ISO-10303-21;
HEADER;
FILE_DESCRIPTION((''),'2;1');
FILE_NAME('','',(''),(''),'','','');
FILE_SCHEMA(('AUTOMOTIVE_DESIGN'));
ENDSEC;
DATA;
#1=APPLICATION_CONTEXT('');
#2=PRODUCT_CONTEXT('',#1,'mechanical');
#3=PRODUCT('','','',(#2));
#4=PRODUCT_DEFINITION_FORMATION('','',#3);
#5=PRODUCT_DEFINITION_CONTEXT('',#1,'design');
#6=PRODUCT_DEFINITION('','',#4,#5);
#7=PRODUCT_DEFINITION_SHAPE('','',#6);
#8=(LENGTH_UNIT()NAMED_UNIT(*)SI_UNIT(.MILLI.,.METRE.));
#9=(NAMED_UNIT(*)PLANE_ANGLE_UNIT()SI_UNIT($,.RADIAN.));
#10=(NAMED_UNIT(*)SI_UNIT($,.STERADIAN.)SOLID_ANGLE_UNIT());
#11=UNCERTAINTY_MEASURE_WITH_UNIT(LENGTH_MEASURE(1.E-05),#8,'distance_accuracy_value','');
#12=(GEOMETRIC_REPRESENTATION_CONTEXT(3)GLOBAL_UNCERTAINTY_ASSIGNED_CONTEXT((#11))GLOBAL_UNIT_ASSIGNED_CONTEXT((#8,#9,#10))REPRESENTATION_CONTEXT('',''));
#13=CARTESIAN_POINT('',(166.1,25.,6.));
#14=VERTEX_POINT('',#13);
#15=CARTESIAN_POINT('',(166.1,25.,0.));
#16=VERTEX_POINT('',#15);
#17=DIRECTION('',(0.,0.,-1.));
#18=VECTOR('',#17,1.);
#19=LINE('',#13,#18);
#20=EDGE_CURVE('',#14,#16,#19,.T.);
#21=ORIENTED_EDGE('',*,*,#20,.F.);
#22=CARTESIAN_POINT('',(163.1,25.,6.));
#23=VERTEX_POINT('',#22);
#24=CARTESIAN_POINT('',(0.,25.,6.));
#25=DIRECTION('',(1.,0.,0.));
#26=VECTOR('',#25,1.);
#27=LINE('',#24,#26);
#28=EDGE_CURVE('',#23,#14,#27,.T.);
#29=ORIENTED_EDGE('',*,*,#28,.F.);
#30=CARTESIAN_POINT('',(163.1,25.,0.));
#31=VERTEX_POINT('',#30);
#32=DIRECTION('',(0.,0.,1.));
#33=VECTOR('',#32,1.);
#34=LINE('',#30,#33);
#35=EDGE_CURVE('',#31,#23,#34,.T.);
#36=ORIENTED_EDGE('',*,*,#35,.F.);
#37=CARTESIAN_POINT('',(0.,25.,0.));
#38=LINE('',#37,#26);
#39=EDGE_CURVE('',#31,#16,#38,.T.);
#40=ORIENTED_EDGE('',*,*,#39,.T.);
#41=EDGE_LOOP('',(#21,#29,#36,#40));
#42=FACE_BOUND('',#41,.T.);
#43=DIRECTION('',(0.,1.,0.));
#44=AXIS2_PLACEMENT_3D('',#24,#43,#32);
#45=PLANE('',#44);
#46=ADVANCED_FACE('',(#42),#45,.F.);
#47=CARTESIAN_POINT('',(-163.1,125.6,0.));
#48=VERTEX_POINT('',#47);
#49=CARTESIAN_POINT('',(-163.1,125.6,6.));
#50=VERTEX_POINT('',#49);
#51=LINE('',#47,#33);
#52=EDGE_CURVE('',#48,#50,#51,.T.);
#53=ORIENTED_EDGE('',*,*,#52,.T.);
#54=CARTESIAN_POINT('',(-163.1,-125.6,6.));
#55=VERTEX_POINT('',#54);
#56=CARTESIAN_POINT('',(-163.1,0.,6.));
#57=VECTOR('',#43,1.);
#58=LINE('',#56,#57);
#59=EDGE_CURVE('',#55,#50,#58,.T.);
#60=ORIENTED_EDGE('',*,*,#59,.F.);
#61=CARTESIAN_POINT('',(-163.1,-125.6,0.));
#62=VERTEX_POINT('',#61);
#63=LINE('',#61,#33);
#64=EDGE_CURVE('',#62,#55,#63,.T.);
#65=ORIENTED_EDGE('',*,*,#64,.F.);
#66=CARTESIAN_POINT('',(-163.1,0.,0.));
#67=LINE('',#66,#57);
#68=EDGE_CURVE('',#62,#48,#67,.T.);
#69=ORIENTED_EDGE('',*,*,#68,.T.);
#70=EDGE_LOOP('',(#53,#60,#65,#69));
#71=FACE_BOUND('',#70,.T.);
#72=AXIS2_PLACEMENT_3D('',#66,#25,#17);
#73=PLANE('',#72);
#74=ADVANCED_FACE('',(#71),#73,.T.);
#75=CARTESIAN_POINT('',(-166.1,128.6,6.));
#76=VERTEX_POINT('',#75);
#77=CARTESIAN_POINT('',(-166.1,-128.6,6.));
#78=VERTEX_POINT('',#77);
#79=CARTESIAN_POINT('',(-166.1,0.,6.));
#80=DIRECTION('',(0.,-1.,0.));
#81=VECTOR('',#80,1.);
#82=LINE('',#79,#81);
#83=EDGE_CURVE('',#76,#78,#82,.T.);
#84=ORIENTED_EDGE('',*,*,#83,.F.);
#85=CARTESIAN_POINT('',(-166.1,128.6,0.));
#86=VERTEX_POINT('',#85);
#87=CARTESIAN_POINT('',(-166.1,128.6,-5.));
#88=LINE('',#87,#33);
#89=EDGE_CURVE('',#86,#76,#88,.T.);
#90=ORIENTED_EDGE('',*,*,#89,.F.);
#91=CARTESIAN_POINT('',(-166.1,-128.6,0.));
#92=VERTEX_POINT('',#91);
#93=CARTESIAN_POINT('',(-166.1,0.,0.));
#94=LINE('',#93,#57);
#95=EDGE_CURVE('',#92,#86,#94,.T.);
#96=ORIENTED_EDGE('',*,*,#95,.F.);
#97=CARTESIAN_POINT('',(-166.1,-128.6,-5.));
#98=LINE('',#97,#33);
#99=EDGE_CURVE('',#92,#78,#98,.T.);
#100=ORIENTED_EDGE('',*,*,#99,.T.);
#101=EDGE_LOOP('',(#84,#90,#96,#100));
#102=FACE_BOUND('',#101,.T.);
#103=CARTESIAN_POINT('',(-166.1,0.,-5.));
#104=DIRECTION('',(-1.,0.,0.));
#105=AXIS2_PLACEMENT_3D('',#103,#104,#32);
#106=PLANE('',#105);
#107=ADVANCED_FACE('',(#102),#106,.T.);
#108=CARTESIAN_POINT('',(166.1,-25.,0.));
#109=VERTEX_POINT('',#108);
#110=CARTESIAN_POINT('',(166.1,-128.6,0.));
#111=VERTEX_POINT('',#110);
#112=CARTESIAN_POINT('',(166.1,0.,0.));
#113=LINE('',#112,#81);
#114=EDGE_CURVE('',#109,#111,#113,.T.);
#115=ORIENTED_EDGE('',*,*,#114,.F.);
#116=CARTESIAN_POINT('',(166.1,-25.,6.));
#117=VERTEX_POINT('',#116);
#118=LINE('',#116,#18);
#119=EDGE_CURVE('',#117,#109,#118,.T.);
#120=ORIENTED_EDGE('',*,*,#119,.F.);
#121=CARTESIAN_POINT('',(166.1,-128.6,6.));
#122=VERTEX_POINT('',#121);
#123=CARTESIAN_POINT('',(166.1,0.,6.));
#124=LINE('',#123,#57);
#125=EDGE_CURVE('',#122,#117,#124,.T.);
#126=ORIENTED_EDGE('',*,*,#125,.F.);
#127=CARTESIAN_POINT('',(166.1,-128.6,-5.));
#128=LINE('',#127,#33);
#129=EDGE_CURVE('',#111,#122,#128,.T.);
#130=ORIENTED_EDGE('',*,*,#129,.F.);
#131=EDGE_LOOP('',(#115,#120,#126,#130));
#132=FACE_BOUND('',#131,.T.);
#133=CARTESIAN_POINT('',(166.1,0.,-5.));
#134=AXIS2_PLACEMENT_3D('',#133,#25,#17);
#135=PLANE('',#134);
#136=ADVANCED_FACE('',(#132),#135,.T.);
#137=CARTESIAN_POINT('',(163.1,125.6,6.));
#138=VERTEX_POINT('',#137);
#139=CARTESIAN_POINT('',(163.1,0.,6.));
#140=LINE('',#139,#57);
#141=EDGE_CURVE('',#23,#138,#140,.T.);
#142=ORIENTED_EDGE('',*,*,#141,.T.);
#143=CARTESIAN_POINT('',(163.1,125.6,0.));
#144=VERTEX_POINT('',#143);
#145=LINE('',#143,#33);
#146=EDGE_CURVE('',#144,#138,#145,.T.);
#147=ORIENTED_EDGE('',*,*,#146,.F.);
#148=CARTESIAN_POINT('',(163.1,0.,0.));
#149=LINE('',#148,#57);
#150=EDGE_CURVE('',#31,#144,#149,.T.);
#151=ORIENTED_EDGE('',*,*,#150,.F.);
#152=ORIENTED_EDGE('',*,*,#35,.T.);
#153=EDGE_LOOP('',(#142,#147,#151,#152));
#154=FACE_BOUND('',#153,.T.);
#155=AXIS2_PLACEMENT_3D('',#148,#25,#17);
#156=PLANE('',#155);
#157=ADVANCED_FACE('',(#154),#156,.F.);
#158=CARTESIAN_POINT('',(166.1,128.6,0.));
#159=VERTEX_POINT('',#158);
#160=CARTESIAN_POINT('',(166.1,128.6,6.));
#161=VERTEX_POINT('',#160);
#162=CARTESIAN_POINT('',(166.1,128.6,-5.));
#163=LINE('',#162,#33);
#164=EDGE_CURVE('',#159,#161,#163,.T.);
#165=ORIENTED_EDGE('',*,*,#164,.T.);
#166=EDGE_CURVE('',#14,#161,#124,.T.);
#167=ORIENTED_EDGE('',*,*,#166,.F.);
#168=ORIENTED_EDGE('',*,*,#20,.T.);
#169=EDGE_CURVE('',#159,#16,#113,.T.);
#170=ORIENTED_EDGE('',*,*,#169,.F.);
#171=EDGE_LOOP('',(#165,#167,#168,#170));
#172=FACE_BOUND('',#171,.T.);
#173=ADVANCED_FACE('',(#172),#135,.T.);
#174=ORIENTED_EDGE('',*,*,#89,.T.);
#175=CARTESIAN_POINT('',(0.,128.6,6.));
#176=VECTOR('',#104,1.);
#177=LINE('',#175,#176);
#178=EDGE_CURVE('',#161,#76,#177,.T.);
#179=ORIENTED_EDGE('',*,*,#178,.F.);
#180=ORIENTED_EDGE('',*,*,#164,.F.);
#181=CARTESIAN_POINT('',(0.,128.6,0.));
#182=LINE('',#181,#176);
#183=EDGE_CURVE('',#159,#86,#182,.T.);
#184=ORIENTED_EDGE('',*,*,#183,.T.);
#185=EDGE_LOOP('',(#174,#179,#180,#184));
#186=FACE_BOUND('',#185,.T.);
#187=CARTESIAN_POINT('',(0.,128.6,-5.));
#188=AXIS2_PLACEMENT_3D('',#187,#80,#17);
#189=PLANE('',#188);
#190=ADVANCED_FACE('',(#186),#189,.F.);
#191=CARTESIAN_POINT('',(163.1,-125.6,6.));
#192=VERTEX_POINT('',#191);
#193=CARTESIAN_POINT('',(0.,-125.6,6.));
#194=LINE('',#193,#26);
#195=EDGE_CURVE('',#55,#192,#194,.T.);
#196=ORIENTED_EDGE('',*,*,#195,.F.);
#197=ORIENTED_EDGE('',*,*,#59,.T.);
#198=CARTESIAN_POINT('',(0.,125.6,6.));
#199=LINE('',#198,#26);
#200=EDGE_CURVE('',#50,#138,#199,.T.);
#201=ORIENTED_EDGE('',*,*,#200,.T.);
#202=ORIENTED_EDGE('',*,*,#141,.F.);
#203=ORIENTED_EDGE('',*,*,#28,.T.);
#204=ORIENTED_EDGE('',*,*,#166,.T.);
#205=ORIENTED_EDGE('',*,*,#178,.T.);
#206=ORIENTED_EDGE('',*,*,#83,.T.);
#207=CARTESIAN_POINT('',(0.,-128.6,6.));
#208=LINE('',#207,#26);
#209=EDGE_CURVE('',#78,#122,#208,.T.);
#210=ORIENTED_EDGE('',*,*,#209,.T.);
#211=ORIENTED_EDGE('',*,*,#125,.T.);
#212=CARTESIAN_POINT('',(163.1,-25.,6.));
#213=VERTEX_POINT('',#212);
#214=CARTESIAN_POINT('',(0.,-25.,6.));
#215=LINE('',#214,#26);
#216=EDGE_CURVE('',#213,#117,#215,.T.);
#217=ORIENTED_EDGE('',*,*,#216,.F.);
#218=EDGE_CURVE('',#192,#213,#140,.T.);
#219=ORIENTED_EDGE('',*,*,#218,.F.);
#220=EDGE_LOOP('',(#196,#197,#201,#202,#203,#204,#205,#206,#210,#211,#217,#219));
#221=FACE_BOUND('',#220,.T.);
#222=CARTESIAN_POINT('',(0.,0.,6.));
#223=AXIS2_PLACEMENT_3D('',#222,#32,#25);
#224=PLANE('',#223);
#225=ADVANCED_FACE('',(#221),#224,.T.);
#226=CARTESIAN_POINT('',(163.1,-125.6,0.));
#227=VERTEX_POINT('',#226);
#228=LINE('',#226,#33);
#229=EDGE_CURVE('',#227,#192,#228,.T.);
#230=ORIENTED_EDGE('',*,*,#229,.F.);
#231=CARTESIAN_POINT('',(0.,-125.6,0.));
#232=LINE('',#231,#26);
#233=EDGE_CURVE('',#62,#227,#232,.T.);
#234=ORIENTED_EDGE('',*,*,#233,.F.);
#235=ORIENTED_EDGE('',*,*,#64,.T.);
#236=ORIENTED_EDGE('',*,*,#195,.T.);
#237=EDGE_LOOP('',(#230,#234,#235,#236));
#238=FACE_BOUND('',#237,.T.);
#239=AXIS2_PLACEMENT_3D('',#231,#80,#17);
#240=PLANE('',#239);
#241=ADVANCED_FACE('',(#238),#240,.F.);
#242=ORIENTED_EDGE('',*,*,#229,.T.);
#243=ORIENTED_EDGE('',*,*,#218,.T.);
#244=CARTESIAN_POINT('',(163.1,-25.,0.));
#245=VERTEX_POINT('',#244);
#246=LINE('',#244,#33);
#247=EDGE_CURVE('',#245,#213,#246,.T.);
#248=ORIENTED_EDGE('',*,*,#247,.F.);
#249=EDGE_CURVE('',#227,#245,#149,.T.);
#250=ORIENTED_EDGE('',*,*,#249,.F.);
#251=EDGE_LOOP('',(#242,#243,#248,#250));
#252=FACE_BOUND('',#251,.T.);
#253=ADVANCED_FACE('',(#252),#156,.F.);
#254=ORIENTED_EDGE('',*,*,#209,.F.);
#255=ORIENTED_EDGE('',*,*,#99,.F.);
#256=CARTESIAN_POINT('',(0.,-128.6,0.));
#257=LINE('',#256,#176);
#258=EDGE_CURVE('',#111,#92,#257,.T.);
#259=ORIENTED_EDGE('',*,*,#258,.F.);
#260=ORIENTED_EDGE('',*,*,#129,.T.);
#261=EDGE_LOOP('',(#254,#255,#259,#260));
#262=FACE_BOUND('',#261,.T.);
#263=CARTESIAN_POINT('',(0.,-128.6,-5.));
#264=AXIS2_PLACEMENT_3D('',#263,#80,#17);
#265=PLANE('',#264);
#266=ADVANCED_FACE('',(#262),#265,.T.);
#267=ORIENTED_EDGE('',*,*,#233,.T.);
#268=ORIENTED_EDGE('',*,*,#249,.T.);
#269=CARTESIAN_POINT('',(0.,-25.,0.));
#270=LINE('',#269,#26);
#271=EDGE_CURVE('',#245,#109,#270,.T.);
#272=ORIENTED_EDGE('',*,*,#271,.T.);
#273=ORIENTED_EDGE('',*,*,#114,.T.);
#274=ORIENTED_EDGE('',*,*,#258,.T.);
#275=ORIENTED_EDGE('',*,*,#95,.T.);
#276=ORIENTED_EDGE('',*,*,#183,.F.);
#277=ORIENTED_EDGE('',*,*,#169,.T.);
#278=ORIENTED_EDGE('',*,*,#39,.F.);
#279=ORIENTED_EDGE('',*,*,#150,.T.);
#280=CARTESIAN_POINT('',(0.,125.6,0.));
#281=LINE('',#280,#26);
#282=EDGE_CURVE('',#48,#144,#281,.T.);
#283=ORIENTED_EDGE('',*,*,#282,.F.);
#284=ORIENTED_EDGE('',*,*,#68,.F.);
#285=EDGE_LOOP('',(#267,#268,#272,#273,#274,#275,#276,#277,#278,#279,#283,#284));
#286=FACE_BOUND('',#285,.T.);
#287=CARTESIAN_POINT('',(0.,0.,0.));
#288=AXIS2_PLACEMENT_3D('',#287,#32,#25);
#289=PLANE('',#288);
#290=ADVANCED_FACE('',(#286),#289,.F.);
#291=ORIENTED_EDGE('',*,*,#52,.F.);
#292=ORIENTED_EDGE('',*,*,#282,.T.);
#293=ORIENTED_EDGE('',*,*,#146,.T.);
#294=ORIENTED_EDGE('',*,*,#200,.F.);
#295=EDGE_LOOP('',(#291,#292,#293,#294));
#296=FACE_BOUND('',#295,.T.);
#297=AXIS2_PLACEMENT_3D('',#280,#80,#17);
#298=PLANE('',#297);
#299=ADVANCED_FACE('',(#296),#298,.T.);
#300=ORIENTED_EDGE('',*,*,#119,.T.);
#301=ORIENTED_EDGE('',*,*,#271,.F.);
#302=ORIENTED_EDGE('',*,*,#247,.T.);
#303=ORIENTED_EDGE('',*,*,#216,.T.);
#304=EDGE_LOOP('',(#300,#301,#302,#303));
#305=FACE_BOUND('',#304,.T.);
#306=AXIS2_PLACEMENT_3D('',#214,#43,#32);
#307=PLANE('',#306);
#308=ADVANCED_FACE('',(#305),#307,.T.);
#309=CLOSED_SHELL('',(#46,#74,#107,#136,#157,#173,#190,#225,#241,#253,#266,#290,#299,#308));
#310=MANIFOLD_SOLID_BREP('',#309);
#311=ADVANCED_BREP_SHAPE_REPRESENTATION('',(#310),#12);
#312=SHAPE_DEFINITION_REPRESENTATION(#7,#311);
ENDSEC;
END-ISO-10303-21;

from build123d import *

# Parameters (mm, degrees)
IZIM1_W                     = 50
IZIM1_H                     = 50
IZIM1_H_2                   = 45
IZIM1_W_2                   = 45
Y_KSEKLIK_EKSTR_ZYON2_DEPTH = 5
IZIM2_R                     = 3
Y_KSEKLIK_EKSTR_ZYON3_DEPTH = 15
Y_KSEKLIK_EKSTR_ZYON4_DEPTH = 6
IZIM4_W                     = 15
IZIM4_H                     = 5
IZIM4_W_2                   = 5
IZIM4_H_2                   = 15
Y_KSEKLIK_EKSTR_ZYON5_DEPTH = 20
IZIM5_R                     = 2
KES_EKSTR_ZYON1_DEPTH       = 132.1
IZIM6_R                     = 2
KES_EKSTR_ZYON2_DEPTH       = 169.6
IZIM7_W                     = 393.876615126
IZIM7_H                     = 303.042246628
KES_EKSTR_ZYON3_DEPTH       = 26
KES_EKSTR_ZYON4_DEPTH       = 7


with BuildPart() as part:
    # Çizim1 → Yükseklik-Ekstrüzyon2 (new body)
    with BuildSketch(Plane.XY):
        Polygon((-35, -128.6), (-35, -116.312863708), (-52.209867178, -116.312863708), align=None)
        Polygon((-35, -116.312863708), (-148.890132822, -35), (-148.890132822, -47.287136292), (-52.209867178, -116.312863708), align=None)
        Polygon((-25, -35), (-35, -35), (-35, -116.312863708), (-35, -128.6), (35, -128.6), (35, -116.312863708), (35, -35), (25, -35), (25, -80), (25, -108.6), (-25, -108.6), (-25, -80), align=None)
        Polygon((-148.890132822, -47.287136292), (-166.1, -35), (-166.1, -128.6), (-35, -128.6), (-52.209867178, -116.312863708), (-148.890132822, -116.312863708), align=None)
        Polygon((-148.890132822, -35), (-166.1, -35), (-148.890132822, -47.287136292), align=None)
        Polygon((-35, 25), (-35, 35), (-148.890132822, 35), (-166.1, 35), (-166.1, -35), (-148.890132822, -35), (-35, -35), (-35, -25), (-80, -25), (-146.1, -25), (-146.1, 25), (-80, 25), align=None)
        Polygon((-25, 35), (-35, 35), (-35, 25), (-35, -25), (-35, -35), (-25, -35), (25, -35), (35, -35), (35, -25), (35, 25), (35, 35), (25, 35), align=None)
        Rectangle(IZIM1_W, IZIM1_H, mode=Mode.SUBTRACT)
        with Locations((0, -57.5)):
            Rectangle(IZIM1_W, IZIM1_H_2)
        Rectangle(IZIM1_W, IZIM1_H)
        with Locations((-57.5, 0)):
            Rectangle(IZIM1_W_2, IZIM1_H)
        with Locations((57.5, 0)):
            Rectangle(IZIM1_W_2, IZIM1_H)
        Polygon((148.890132822, 35), (35, 35), (35, 25), (80, 25), (146.1, 25), (146.1, -25), (80, -25), (35, -25), (35, -35), (148.890132822, -35), (166.1, -35), (166.1, 35), align=None)
        Polygon((148.890132822, -47.287136292), (148.890132822, -35), (35, -116.312863708), (52.209867178, -116.312863708), align=None)
        Polygon((148.890132822, -47.287136292), (166.1, -35), (148.890132822, -35), align=None)
        Polygon((166.1, -128.6), (166.1, -35), (148.890132822, -47.287136292), (148.890132822, -116.312863708), (52.209867178, -116.312863708), (35, -128.6), align=None)
        Polygon((52.209867178, -116.312863708), (35, -116.312863708), (35, -128.6), align=None)
        Polygon((52.209867178, 116.312863708), (35, 116.312863708), (148.890132822, 35), (148.890132822, 47.287136292), align=None)
        Polygon((148.890132822, 47.287136292), (148.890132822, 35), (166.1, 35), align=None)
        Polygon((166.1, 128.6), (35, 128.6), (52.209867178, 116.312863708), (148.890132822, 116.312863708), (148.890132822, 47.287136292), (166.1, 35), align=None)
        Polygon((52.209867178, 116.312863708), (35, 128.6), (35, 116.312863708), align=None)
        Polygon((35, 128.6), (-35, 128.6), (-35, 116.312863708), (-35, 35), (-25, 35), (-25, 80), (-25, 108.6), (25, 108.6), (25, 80), (25, 35), (35, 35), (35, 116.312863708), align=None)
        with Locations((0, 57.5)):
            Rectangle(IZIM1_W, IZIM1_H_2)
        Polygon((-35, 116.312863708), (-35, 128.6), (-52.209867178, 116.312863708), align=None)
        Polygon((-35, 116.312863708), (-52.209867178, 116.312863708), (-148.890132822, 47.287136292), (-148.890132822, 35), align=None)
        Polygon((-52.209867178, 116.312863708), (-35, 128.6), (-166.1, 128.6), (-166.1, 35), (-148.890132822, 47.287136292), (-148.890132822, 116.312863708), align=None)
        Polygon((-148.890132822, 35), (-148.890132822, 47.287136292), (-166.1, 35), align=None)
    extrude(amount=-Y_KSEKLIK_EKSTR_ZYON2_DEPTH)

    # Çizim2 → Yükseklik-Ekstrüzyon3 (add)
    with BuildSketch(Plane(origin=(0, 0, -5), x_dir=(-1, 0, 0), z_dir=(0, 0, -1))):
        Circle(IZIM2_R)
    extrude(amount=Y_KSEKLIK_EKSTR_ZYON3_DEPTH)

    # Çizim3 → Yükseklik-Ekstrüzyon4 (add)
    with BuildSketch(Plane.XY):
        Polygon((161.1, 123.6), (161.1, 25), (166.1, 25), (166.1, 128.6), (-166.1, 128.6), (-166.1, -128.6), (166.1, -128.6), (166.1, -25), (161.1, -25), (161.1, -123.6), (-161.1, -123.6), (-161.1, 123.6), align=None)
    extrude(amount=Y_KSEKLIK_EKSTR_ZYON4_DEPTH)

    # Çizim4 → Yükseklik-Ekstrüzyon5 (add)
    with BuildSketch(Plane(origin=(0, 0, -5), x_dir=(-1, 0, 0), z_dir=(0, 0, -1))):
        with Locations((-60, 0)):
            Rectangle(IZIM4_W, IZIM4_H)
        with Locations((0, -60)):
            Rectangle(IZIM4_W_2, IZIM4_H_2)
    extrude(amount=Y_KSEKLIK_EKSTR_ZYON5_DEPTH)

    # Çizim5 → Kes-Ekstrüzyon1 (cut, through all)
    with BuildSketch(Plane.XZ.offset(2.5)):
        with Locations((60, -10)):
            Circle(IZIM5_R)
        with Locations((60, -19)):
            Circle(IZIM5_R)
    extrude(amount=-KES_EKSTR_ZYON1_DEPTH, mode=Mode.SUBTRACT)

    # Çizim6 → Kes-Ekstrüzyon2 (cut, through all)
    with BuildSketch(Plane(origin=(2.5, 0, 0), x_dir=(0, 0, -1), z_dir=(1, 0, 0))):
        with Locations((10, -60)):
            Circle(IZIM6_R)
        with Locations((19, -60)):
            Circle(IZIM6_R)
    extrude(amount=-KES_EKSTR_ZYON2_DEPTH, mode=Mode.SUBTRACT)

    # Çizim7 → Kes-Ekstrüzyon3 (cut, through all)
    with BuildSketch(Plane.XY):
        with Locations((1.174582351, -1.957637252)):
            Rectangle(IZIM7_W, IZIM7_H)
    extrude(amount=-KES_EKSTR_ZYON3_DEPTH, mode=Mode.SUBTRACT)

    # Çizim8 → Kes-Ekstrüzyon4 (cut, through all)
    with BuildSketch(Plane.XY.offset(6)):
        Polygon((161.1, 25), (163.1, 25), (163.1, 125.6), (-163.1, 125.6), (-163.1, -125.6), (163.1, -125.6), (163.1, -25), (161.1, -25), (161.1, -123.6), (-161.1, -123.6), (-161.1, 123.6), (161.1, 123.6), align=None)
    extrude(amount=-KES_EKSTR_ZYON4_DEPTH, mode=Mode.SUBTRACT)


solid = part.part
